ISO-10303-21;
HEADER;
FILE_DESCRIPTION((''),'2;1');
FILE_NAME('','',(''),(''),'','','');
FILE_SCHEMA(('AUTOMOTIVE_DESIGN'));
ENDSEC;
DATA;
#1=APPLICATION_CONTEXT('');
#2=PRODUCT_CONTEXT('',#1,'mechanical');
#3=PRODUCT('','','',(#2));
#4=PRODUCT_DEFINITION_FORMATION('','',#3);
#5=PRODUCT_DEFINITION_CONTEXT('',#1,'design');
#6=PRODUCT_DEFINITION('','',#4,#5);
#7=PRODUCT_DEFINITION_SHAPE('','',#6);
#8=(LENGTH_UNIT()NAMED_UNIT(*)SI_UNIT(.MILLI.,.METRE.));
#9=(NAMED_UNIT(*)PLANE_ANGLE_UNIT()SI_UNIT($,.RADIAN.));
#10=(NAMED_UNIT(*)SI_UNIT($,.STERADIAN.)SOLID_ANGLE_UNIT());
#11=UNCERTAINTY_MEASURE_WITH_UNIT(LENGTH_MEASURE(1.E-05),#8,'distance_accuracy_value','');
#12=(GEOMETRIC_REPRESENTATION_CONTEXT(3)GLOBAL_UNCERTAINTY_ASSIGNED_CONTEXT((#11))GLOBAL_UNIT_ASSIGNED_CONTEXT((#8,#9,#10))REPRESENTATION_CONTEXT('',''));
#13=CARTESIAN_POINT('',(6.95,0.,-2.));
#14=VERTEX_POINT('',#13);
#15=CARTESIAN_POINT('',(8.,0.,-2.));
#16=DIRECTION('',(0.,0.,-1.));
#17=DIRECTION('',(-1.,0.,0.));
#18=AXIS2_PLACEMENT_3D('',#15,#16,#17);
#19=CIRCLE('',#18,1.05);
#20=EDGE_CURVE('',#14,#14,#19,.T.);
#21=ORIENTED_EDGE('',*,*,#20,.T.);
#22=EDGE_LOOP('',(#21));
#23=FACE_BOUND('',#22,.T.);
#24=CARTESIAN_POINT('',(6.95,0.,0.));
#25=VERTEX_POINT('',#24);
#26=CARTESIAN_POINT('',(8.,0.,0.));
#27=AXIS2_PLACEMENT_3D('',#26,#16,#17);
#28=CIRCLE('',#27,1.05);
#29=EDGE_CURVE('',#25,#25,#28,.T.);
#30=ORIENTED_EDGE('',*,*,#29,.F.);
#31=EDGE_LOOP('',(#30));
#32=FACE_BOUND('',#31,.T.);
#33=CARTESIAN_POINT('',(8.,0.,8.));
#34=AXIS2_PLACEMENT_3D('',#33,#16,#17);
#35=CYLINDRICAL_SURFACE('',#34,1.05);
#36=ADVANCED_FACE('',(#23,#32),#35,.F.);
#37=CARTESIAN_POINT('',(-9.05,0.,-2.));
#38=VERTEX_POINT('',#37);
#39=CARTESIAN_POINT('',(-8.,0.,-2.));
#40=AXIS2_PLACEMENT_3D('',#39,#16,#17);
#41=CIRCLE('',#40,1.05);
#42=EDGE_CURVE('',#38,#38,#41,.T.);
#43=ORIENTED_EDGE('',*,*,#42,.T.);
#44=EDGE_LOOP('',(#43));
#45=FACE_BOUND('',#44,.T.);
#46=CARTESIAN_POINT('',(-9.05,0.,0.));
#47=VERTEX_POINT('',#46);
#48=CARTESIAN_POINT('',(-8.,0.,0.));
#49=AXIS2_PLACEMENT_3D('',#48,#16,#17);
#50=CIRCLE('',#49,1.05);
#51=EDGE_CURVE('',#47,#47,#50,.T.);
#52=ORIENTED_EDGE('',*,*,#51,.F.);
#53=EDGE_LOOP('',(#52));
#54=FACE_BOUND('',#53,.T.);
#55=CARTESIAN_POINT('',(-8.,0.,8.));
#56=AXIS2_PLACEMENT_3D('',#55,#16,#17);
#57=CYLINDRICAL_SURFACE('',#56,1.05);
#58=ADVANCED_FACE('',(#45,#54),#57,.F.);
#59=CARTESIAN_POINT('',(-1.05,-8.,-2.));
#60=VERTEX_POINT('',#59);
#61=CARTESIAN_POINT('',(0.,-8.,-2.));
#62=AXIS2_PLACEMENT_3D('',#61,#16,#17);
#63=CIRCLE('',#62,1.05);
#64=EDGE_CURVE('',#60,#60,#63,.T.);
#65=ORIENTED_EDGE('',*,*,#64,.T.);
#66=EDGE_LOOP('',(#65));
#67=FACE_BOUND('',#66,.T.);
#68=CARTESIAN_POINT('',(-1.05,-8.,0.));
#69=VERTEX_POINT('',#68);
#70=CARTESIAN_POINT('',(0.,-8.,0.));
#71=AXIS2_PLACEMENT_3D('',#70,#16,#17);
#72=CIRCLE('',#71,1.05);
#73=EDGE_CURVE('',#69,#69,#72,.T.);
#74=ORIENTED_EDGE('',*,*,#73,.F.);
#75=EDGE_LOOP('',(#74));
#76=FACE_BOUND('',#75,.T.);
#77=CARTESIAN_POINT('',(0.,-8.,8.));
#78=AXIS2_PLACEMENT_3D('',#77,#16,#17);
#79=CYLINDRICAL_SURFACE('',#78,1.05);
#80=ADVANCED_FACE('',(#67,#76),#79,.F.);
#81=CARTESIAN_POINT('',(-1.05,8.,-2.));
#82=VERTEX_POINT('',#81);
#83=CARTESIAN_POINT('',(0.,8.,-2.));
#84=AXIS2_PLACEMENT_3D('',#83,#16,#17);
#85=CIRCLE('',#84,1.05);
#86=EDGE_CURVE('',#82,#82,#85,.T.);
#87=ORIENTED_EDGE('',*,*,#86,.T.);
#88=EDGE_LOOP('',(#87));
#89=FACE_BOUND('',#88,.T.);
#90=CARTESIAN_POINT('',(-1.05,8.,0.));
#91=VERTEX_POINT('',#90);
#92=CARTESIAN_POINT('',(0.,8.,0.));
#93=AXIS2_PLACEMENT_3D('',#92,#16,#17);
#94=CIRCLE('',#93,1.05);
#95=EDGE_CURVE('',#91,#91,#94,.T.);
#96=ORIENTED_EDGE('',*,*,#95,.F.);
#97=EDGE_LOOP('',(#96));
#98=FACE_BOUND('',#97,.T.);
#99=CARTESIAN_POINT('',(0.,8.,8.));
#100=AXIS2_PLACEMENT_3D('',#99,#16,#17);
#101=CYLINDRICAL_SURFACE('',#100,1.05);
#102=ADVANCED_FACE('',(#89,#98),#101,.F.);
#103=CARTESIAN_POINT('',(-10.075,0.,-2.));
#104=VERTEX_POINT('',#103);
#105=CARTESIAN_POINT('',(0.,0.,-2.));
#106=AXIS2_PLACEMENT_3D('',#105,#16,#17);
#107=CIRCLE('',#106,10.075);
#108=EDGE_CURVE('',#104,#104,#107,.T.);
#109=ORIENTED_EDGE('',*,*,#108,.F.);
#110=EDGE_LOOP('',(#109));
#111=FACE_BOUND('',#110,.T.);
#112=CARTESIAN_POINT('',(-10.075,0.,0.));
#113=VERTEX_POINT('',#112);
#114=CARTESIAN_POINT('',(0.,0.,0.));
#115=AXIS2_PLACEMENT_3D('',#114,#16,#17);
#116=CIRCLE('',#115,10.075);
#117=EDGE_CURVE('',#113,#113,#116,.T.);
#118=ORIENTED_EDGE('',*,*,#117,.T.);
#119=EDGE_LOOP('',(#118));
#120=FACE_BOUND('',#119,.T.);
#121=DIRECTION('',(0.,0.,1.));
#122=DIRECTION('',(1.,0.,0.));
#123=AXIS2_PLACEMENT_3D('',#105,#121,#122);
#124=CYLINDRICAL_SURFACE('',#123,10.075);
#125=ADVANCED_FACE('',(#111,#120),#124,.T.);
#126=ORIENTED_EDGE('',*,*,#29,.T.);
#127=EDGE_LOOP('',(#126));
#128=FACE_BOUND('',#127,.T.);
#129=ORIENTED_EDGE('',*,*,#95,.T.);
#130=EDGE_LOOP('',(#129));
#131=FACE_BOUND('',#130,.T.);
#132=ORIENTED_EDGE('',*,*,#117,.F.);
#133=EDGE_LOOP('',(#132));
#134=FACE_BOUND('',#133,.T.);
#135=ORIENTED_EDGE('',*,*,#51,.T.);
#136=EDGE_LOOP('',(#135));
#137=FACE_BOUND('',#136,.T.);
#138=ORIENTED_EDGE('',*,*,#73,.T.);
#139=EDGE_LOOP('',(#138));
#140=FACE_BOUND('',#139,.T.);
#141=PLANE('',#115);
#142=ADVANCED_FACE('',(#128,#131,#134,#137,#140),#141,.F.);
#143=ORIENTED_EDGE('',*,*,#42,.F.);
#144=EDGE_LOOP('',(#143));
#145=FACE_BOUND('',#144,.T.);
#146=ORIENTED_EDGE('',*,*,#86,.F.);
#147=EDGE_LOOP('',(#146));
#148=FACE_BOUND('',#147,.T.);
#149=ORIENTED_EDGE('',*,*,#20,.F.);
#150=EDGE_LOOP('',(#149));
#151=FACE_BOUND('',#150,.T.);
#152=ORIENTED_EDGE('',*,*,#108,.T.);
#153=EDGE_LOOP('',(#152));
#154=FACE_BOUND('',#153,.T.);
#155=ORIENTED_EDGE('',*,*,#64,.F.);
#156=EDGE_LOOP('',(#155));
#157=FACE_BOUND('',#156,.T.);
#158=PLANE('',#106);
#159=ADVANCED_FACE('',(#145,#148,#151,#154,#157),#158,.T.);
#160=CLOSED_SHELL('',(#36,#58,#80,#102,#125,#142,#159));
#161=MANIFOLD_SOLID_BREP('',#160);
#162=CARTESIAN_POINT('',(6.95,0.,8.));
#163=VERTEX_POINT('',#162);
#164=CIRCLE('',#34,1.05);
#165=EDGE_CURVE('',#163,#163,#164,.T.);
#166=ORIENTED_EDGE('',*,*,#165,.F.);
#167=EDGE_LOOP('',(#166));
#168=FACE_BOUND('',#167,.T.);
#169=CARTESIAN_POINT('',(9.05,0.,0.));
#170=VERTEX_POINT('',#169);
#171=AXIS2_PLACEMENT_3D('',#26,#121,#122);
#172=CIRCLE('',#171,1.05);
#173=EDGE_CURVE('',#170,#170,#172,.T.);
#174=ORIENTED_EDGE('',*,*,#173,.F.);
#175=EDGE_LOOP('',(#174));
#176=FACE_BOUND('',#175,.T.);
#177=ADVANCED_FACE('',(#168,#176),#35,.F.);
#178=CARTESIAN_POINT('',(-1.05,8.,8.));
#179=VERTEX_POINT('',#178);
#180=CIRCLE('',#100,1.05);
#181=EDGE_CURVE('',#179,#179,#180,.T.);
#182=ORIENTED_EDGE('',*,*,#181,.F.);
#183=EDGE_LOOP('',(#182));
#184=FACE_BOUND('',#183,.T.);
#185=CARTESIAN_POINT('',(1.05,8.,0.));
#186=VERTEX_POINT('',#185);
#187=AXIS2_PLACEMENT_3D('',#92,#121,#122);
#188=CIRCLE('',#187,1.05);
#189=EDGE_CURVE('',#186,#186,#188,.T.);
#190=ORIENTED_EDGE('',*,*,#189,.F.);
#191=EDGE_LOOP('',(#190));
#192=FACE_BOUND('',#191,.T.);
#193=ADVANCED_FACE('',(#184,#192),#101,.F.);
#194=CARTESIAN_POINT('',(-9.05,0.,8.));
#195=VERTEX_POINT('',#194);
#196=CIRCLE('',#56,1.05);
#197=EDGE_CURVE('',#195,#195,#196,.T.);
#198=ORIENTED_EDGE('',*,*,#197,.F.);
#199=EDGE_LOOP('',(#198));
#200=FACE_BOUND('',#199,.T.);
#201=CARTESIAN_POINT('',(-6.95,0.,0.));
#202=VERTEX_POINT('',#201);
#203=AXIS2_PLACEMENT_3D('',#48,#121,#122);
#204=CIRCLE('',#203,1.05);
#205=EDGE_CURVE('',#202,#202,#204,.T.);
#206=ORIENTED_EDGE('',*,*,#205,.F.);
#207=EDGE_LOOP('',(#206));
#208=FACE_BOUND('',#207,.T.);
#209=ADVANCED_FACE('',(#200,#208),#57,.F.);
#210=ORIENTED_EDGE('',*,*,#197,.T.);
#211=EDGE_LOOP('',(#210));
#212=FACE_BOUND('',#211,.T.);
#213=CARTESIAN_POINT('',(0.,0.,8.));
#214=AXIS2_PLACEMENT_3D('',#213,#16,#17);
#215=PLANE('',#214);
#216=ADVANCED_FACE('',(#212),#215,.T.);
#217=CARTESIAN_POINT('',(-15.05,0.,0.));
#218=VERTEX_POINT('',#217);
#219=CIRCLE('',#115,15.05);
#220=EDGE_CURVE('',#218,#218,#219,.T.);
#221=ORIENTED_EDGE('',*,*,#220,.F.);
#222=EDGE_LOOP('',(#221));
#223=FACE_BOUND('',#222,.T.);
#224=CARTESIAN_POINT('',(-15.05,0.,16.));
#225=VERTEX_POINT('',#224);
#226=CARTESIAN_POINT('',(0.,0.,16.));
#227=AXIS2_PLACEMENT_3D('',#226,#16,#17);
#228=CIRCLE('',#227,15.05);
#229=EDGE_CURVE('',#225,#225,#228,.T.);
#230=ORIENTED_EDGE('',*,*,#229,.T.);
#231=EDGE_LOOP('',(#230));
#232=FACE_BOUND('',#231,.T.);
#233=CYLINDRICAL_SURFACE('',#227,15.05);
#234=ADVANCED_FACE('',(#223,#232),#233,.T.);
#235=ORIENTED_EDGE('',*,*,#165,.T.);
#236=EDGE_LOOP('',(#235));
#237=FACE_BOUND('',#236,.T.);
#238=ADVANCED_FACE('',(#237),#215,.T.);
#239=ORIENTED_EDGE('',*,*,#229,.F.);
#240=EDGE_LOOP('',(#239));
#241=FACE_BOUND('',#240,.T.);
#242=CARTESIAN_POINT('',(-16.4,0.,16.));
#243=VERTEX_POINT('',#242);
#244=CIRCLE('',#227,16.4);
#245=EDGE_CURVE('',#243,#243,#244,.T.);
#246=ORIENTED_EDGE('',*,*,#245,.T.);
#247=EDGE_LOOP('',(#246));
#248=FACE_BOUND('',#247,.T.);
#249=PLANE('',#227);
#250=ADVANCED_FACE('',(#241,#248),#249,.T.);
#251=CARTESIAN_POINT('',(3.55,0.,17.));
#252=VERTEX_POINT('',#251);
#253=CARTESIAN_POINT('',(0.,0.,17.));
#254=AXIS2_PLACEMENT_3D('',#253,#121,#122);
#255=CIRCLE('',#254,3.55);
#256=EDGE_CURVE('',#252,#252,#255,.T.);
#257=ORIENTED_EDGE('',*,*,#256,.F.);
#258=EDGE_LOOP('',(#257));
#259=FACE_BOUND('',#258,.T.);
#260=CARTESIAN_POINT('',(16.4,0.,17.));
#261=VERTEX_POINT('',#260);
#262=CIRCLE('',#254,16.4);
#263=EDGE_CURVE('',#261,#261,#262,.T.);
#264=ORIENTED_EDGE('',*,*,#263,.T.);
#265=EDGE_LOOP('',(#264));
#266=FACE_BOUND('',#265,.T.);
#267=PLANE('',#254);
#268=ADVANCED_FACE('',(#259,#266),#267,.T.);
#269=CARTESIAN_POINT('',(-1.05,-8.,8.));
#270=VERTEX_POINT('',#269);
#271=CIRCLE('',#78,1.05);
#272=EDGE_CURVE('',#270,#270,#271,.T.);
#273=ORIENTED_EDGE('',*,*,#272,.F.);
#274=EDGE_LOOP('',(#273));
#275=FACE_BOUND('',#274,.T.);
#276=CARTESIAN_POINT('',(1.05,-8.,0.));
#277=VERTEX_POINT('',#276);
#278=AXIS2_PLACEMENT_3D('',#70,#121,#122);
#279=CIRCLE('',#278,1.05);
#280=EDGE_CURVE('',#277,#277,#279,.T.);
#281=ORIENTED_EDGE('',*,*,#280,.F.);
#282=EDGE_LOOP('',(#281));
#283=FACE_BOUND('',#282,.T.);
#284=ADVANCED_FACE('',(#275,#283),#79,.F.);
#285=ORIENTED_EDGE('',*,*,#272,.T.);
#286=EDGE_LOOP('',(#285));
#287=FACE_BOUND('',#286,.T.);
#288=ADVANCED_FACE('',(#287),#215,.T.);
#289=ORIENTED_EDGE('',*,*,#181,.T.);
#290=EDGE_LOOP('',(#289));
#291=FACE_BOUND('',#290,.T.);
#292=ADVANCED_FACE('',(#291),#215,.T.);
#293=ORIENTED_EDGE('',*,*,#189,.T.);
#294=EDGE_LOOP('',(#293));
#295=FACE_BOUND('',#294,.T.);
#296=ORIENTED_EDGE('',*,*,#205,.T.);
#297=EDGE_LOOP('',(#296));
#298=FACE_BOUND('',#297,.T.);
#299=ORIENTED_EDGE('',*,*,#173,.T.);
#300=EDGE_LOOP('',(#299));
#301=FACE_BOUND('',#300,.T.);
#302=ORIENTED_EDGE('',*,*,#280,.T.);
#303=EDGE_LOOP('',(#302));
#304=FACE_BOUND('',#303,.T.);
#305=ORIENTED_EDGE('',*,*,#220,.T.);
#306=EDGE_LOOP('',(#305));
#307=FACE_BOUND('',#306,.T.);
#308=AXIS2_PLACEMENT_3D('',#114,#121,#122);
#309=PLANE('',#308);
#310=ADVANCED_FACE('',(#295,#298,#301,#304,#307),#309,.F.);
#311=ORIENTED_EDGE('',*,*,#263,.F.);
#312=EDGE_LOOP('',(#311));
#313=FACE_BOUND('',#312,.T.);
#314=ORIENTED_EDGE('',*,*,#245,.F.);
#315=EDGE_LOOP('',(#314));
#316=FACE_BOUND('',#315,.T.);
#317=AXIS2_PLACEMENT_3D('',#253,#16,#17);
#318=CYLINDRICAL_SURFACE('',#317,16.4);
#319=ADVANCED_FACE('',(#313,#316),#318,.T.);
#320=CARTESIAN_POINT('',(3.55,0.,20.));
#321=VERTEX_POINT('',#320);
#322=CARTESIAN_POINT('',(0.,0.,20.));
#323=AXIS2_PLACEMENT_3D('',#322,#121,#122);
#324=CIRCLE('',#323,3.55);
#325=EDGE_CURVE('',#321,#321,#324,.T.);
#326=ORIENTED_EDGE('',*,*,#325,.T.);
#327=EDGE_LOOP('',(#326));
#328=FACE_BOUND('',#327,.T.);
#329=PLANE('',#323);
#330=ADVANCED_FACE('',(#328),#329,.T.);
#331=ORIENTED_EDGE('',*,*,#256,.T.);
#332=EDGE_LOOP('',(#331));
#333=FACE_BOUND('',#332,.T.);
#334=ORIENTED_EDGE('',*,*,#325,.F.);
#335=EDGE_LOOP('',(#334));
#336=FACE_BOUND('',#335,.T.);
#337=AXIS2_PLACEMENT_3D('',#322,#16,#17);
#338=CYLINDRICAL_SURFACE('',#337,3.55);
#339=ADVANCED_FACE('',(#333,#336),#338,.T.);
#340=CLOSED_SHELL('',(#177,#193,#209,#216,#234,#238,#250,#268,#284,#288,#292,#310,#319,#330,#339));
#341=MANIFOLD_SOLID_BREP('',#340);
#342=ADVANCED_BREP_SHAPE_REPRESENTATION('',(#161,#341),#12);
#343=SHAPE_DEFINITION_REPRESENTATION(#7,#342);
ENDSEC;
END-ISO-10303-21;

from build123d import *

# Parameters (mm, degrees)
SKETCH_1_R          = 16.4
EXTRUDE_1_DEPTH     = 17
SKETCH_2_R          = 3.55
EXTRUDE_2_DEPTH     = 3
SKETCH_3_R          = 10.075
EXTRUDE_3_DEPTH     = 2
SKETCH_7_R          = 1.05
CUT_EXTRUDE_3_DEPTH = 10
SKETCH3_R           = 16.4
SKETCH3_R_2         = 15.05
CUT_EXTRUDE3_DEPTH  = 16


with BuildPart() as part:
    # 草图1 → 凸台-拉伸1 (new body)
    with BuildSketch(Plane.XY):
        Circle(SKETCH_1_R)
    extrude(amount=EXTRUDE_1_DEPTH)

    # 草图2 → 凸台-拉伸2 (add)
    with BuildSketch(Plane.XY.offset(17)):
        Circle(SKETCH_2_R)
    extrude(amount=EXTRUDE_2_DEPTH)


with BuildPart() as body_2:
    # 草图3 → 凸台-拉伸3 (new body)
    with BuildSketch(Plane(origin=(0, 0, 0), x_dir=(-1, 0, 0), z_dir=(0, 0, -1))):
        Circle(SKETCH_3_R)
    extrude(amount=EXTRUDE_3_DEPTH)


with BuildPart() as cut_extrude_3_tool:
    # 草图7 → 切除-拉伸3 (new body)
    with BuildSketch(Plane(origin=(0, 0, -2), x_dir=(-1, 0, 0), z_dir=(0, 0, -1))):
        with Locations((0, 8)):
            Circle(SKETCH_7_R)
        with Locations((8, 0)):
            Circle(SKETCH_7_R)
        with Locations((0, -8)):
            Circle(SKETCH_7_R)
        with Locations((-8, 0)):
            Circle(SKETCH_7_R)
    extrude(amount=-CUT_EXTRUDE_3_DEPTH)


with BuildPart() as part_1:
    add(part.part)

    # 切除-拉伸3: cut by cut_extrude_3_tool
    add(cut_extrude_3_tool.part, mode=Mode.SUBTRACT)

    # Sketch3 → Cut-Extrude3 (cut)
    with BuildSketch(Plane(origin=(0, 0, 0), x_dir=(-1, 0, 0), z_dir=(0, 0, -1))):
        Circle(SKETCH3_R)
        Circle(SKETCH3_R_2, mode=Mode.SUBTRACT)
    extrude(amount=-CUT_EXTRUDE3_DEPTH, mode=Mode.SUBTRACT)


with BuildPart() as body_2_1:
    add(body_2.part)

    # 切除-拉伸3: cut by cut_extrude_3_tool
    add(cut_extrude_3_tool.part, mode=Mode.SUBTRACT)


solid = Compound([part_1.part, body_2_1.part])
